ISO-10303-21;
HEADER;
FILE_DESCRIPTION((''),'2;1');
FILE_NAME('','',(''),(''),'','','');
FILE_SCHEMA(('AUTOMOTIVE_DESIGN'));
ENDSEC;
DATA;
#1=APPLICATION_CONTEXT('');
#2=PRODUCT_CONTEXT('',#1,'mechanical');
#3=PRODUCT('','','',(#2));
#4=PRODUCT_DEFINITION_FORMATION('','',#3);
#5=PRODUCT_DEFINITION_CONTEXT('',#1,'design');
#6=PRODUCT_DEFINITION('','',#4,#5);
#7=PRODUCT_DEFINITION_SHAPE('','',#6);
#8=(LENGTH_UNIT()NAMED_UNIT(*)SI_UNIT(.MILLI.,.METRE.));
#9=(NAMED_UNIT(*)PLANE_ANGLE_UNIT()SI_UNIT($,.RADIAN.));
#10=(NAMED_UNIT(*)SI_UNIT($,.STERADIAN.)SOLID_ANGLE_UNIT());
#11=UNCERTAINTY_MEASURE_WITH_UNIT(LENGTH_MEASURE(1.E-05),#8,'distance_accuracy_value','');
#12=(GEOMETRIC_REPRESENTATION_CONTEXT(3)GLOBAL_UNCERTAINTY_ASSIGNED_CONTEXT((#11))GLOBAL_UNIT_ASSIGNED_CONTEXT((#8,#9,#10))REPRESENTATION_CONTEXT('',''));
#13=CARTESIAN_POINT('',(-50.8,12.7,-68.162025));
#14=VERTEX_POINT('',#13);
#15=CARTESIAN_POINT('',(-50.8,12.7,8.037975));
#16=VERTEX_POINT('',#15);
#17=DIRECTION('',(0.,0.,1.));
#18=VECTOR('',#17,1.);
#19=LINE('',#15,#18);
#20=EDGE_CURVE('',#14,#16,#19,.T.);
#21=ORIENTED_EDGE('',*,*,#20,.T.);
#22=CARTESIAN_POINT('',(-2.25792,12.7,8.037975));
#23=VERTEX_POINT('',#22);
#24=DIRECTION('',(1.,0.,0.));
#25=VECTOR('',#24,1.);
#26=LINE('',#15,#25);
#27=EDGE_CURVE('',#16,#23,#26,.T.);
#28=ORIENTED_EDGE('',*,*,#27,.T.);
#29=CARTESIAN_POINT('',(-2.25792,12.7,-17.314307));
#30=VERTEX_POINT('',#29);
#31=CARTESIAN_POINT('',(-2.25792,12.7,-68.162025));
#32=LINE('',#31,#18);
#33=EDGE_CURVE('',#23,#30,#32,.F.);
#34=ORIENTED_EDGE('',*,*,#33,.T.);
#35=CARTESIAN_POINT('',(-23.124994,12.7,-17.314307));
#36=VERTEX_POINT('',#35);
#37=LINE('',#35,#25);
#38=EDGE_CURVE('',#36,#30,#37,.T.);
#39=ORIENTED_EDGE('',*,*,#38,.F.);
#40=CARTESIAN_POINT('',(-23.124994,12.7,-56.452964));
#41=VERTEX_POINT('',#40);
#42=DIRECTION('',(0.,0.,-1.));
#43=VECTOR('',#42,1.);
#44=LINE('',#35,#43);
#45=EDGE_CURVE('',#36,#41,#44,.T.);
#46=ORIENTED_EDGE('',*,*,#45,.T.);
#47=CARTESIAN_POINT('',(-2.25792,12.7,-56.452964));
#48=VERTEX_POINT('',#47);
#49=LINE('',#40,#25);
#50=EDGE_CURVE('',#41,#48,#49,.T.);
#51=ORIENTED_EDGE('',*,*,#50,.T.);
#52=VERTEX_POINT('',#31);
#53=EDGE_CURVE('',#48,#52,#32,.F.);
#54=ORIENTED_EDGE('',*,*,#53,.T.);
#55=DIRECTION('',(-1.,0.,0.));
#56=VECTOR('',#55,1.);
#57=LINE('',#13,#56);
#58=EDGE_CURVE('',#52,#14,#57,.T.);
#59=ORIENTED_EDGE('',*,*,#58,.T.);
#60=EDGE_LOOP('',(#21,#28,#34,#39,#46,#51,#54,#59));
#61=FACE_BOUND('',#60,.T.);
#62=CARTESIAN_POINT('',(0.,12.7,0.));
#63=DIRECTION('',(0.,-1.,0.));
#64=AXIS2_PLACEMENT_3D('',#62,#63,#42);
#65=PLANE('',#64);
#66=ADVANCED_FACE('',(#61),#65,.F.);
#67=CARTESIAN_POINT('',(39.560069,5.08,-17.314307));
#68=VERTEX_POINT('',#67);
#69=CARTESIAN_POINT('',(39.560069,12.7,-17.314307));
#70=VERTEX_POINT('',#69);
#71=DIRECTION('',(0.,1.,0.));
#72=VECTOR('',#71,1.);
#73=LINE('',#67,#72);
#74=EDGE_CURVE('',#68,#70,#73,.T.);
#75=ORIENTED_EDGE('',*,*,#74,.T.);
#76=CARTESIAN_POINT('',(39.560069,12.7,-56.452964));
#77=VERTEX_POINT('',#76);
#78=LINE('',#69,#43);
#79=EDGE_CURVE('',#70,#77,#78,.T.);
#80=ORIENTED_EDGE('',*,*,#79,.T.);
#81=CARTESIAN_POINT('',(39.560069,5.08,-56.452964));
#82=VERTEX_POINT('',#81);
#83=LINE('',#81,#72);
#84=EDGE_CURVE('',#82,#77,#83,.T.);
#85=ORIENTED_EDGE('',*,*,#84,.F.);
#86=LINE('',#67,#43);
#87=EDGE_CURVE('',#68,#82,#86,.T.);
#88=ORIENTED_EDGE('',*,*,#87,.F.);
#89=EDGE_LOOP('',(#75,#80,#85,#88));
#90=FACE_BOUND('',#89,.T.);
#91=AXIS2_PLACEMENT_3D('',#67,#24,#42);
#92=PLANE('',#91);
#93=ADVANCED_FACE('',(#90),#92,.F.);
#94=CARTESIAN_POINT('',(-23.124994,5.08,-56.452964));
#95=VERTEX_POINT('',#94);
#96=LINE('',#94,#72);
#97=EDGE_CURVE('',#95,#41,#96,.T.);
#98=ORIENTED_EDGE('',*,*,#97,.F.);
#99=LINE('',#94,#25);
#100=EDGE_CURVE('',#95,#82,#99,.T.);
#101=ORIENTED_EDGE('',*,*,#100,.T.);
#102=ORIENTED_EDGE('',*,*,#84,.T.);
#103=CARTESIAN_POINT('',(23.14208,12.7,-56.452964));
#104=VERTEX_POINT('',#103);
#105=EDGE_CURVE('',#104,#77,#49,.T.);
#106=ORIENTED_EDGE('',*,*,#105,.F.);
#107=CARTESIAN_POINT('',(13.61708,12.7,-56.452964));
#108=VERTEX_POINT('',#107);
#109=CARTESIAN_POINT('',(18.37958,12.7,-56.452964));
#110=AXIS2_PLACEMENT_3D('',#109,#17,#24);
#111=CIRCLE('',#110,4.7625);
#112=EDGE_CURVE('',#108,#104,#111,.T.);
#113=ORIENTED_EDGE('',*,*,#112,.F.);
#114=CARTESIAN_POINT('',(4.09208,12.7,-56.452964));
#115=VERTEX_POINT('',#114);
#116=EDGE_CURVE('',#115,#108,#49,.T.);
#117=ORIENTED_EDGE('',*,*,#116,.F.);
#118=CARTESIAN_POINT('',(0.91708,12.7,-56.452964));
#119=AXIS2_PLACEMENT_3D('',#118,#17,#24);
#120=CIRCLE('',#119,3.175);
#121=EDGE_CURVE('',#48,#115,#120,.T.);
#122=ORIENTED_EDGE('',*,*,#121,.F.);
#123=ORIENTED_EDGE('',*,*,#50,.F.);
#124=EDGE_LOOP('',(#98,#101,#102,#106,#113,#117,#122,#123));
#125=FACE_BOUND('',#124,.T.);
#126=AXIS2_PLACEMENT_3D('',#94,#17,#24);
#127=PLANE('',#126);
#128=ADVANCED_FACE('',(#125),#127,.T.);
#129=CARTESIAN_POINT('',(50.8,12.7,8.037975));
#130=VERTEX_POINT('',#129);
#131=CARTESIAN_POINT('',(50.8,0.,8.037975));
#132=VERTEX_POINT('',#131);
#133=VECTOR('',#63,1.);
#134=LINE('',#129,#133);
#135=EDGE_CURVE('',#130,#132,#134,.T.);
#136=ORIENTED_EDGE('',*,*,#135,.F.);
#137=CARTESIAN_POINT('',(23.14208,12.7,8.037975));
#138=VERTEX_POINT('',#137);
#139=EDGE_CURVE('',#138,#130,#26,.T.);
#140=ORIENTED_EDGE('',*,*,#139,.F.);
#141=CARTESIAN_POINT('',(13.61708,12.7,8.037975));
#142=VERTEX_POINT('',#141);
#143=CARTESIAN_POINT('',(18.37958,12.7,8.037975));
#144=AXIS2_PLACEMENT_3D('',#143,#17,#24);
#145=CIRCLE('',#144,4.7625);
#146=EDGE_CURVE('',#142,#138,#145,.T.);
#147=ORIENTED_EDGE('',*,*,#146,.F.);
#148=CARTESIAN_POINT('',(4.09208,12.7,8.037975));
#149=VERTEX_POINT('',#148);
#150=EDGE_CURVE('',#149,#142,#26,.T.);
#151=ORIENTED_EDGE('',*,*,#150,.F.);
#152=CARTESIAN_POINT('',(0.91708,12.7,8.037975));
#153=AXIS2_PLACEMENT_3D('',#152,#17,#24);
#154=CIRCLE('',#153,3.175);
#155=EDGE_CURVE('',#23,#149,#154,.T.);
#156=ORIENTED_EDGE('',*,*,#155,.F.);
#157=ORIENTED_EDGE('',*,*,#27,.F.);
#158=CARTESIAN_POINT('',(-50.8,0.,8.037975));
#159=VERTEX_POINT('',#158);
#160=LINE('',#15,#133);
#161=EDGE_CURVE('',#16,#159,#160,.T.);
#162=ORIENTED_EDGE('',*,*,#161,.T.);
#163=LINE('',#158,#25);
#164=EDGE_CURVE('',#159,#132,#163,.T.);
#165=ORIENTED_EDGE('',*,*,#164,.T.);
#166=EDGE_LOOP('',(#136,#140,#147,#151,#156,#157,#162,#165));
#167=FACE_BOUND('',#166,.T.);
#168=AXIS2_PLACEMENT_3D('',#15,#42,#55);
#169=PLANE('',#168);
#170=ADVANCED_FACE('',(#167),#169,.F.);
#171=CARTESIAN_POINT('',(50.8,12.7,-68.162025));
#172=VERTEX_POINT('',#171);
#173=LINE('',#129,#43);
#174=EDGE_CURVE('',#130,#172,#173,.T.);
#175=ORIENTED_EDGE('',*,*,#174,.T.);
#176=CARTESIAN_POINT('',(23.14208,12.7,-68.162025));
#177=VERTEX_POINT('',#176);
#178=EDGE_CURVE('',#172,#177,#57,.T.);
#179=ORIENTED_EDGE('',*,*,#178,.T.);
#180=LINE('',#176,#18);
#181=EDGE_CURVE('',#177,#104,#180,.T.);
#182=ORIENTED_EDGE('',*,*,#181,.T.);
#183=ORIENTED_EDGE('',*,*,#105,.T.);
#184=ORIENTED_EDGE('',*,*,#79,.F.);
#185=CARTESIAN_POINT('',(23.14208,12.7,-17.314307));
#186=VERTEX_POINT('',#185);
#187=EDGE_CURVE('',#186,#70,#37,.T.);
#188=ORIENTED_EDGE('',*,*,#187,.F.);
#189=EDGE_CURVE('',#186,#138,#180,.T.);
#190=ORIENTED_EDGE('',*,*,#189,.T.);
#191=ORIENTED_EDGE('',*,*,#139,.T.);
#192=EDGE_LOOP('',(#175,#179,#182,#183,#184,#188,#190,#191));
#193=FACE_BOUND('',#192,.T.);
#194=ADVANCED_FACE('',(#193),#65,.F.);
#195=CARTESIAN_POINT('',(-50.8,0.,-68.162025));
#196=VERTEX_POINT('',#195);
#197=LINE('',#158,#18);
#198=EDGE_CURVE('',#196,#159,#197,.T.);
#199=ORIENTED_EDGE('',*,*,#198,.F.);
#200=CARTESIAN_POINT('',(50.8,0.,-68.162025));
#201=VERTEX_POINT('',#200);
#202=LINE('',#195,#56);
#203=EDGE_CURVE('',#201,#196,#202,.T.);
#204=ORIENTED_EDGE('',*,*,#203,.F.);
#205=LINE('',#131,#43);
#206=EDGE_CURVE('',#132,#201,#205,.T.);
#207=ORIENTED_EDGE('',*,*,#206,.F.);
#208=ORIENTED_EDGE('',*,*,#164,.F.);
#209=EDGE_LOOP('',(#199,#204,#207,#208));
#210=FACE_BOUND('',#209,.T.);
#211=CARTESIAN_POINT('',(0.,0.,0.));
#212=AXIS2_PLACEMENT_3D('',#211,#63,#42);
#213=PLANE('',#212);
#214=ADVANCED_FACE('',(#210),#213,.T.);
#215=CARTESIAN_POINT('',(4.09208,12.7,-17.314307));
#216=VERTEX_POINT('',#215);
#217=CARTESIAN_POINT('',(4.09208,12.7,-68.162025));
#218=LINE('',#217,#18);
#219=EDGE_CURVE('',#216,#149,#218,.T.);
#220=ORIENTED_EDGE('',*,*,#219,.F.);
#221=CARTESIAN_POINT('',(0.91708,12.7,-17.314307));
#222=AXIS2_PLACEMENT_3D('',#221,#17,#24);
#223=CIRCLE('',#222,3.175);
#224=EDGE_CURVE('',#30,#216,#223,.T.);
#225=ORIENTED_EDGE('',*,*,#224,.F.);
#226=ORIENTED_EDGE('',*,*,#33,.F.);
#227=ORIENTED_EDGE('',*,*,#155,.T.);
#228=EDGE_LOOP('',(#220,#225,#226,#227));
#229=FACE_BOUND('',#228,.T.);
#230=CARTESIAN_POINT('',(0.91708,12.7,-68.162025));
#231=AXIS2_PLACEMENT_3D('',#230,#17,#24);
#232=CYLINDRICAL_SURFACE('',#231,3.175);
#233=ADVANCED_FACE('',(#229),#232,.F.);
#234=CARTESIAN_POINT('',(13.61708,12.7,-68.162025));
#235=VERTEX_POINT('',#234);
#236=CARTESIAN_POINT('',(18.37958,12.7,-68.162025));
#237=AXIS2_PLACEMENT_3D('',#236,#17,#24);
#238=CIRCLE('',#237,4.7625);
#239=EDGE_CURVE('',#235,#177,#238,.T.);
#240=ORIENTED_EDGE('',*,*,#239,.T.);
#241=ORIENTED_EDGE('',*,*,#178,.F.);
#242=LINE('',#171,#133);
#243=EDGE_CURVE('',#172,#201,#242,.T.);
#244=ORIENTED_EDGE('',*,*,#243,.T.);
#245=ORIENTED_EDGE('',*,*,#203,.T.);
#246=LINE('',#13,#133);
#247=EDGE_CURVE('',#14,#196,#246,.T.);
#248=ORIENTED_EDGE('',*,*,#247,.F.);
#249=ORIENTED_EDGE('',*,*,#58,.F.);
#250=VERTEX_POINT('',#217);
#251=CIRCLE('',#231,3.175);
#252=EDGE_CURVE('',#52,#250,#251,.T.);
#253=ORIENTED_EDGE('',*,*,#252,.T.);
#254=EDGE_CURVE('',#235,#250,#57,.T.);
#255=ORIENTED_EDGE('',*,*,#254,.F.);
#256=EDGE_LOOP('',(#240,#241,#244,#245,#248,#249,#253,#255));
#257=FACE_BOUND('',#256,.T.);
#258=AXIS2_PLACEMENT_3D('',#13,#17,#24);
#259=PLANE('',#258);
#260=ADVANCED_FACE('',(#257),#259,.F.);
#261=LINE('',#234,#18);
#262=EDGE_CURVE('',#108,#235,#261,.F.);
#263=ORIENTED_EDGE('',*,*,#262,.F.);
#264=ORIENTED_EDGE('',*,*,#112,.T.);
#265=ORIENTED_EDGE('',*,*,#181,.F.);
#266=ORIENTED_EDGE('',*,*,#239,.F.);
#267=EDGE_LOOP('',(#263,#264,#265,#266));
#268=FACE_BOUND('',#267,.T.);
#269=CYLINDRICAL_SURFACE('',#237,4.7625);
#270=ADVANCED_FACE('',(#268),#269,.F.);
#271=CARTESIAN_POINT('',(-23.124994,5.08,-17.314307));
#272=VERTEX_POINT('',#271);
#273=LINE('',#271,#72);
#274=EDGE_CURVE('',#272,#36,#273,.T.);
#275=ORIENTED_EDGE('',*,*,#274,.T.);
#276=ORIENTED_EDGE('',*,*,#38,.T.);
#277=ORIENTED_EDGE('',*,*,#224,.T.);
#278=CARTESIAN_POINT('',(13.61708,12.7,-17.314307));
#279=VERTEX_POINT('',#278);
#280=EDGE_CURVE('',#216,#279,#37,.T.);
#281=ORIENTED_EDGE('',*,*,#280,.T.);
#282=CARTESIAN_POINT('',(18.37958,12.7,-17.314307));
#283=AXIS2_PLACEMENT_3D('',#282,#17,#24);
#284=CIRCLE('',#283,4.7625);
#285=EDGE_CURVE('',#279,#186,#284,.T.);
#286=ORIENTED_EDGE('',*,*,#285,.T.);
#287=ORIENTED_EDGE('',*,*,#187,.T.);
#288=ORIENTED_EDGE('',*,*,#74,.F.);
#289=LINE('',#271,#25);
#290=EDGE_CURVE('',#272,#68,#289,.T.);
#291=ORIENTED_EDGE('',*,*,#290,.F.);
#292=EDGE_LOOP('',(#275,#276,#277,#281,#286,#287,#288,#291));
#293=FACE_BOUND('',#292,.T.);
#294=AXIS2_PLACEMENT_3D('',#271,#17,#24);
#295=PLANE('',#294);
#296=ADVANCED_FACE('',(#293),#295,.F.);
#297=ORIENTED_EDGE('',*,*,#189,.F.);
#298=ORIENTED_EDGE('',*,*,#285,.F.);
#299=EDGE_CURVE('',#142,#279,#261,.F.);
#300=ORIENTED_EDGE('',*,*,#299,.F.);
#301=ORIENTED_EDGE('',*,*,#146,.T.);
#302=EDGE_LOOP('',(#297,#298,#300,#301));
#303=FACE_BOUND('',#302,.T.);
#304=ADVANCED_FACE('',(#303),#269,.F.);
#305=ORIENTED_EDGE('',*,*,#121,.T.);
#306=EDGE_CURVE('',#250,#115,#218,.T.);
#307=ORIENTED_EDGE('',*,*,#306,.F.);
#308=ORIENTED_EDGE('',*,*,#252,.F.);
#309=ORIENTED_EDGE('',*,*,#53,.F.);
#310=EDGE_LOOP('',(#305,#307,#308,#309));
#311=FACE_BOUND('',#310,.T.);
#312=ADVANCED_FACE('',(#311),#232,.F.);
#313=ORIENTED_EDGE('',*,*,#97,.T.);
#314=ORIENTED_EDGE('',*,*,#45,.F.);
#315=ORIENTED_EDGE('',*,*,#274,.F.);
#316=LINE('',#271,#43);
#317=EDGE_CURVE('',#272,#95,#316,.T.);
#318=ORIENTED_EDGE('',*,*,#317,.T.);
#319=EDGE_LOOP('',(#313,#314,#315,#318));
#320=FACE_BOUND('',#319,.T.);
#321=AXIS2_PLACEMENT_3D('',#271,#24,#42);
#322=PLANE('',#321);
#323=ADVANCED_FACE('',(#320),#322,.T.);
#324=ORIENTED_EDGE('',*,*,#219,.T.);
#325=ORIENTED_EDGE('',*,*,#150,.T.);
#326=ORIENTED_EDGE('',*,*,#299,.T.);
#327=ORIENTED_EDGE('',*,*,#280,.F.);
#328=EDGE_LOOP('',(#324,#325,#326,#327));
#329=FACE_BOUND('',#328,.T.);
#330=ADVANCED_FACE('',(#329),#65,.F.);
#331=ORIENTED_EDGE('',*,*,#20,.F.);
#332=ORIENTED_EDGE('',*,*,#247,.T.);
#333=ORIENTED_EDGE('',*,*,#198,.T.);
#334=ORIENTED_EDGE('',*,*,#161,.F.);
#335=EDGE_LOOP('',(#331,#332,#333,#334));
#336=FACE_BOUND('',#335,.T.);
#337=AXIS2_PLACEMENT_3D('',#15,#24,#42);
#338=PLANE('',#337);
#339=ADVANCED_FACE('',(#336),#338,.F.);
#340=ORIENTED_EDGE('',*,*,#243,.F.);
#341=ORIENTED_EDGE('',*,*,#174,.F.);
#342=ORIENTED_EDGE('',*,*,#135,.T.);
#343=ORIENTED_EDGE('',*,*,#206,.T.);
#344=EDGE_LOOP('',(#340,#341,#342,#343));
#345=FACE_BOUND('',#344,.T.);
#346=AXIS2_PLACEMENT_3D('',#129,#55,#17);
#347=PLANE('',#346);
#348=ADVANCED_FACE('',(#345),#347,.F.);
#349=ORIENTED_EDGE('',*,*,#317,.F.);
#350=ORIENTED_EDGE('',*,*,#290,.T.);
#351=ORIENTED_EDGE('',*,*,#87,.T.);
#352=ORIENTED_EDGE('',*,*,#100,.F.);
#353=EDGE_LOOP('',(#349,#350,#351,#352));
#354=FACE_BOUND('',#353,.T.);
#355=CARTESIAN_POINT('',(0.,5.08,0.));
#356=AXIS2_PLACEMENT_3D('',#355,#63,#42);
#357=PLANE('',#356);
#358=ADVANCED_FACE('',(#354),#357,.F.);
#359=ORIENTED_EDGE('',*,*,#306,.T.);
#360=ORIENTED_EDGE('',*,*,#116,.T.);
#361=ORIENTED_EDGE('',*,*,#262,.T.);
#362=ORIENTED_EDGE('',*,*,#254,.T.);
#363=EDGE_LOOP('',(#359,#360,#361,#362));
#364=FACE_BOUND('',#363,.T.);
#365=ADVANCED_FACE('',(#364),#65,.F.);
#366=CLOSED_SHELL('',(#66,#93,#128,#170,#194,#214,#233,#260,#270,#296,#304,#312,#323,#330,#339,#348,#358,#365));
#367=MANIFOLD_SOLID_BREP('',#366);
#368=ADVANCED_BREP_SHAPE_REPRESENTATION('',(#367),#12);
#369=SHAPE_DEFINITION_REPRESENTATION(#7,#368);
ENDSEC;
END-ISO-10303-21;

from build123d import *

# Parameters (mm, degrees)
SKETCH1_W           = 101.6
SKETCH1_H           = 76.2
BOSS_EXTRUDE1_DEPTH = 12.7
SKETCH4_W           = 62.685063192
SKETCH4_H           = 39.138657103
CUT_EXTRUDE2_DEPTH  = 7.62
SKETCH5_R           = 3.175
SKETCH5_R_2         = 4.7625
CUT_EXTRUDE3_DEPTH  = 93.457395594


with BuildPart() as part:
    # Sketch1 → Boss-Extrude1 (new body)
    with BuildSketch(Plane(origin=(0, 0, 0), x_dir=(1, 0, 0), z_dir=(0, 1, 0))):
        with Locations((0, 30.062025316)):
            Rectangle(SKETCH1_W, SKETCH1_H)
    extrude(amount=BOSS_EXTRUDE1_DEPTH)

    # Sketch4 → Cut-Extrude2 (cut)
    with BuildSketch(Plane(origin=(0, 12.7, 0), x_dir=(1, 0, 0), z_dir=(0, 1, 0))):
        with Locations((8.217537696, 36.883635135)):
            Rectangle(SKETCH4_W, SKETCH4_H)
    extrude(amount=-CUT_EXTRUDE2_DEPTH, mode=Mode.SUBTRACT)

    # Sketch5 → Cut-Extrude3 (cut, through all)
    with BuildSketch(Plane.XY.offset(8.037974684)):
        with Locations((0.917080185, 12.7)):
            Circle(SKETCH5_R)
        with Locations((18.379580185, 12.7)):
            Circle(SKETCH5_R_2)
    extrude(amount=-CUT_EXTRUDE3_DEPTH, mode=Mode.SUBTRACT)


solid = part.part
